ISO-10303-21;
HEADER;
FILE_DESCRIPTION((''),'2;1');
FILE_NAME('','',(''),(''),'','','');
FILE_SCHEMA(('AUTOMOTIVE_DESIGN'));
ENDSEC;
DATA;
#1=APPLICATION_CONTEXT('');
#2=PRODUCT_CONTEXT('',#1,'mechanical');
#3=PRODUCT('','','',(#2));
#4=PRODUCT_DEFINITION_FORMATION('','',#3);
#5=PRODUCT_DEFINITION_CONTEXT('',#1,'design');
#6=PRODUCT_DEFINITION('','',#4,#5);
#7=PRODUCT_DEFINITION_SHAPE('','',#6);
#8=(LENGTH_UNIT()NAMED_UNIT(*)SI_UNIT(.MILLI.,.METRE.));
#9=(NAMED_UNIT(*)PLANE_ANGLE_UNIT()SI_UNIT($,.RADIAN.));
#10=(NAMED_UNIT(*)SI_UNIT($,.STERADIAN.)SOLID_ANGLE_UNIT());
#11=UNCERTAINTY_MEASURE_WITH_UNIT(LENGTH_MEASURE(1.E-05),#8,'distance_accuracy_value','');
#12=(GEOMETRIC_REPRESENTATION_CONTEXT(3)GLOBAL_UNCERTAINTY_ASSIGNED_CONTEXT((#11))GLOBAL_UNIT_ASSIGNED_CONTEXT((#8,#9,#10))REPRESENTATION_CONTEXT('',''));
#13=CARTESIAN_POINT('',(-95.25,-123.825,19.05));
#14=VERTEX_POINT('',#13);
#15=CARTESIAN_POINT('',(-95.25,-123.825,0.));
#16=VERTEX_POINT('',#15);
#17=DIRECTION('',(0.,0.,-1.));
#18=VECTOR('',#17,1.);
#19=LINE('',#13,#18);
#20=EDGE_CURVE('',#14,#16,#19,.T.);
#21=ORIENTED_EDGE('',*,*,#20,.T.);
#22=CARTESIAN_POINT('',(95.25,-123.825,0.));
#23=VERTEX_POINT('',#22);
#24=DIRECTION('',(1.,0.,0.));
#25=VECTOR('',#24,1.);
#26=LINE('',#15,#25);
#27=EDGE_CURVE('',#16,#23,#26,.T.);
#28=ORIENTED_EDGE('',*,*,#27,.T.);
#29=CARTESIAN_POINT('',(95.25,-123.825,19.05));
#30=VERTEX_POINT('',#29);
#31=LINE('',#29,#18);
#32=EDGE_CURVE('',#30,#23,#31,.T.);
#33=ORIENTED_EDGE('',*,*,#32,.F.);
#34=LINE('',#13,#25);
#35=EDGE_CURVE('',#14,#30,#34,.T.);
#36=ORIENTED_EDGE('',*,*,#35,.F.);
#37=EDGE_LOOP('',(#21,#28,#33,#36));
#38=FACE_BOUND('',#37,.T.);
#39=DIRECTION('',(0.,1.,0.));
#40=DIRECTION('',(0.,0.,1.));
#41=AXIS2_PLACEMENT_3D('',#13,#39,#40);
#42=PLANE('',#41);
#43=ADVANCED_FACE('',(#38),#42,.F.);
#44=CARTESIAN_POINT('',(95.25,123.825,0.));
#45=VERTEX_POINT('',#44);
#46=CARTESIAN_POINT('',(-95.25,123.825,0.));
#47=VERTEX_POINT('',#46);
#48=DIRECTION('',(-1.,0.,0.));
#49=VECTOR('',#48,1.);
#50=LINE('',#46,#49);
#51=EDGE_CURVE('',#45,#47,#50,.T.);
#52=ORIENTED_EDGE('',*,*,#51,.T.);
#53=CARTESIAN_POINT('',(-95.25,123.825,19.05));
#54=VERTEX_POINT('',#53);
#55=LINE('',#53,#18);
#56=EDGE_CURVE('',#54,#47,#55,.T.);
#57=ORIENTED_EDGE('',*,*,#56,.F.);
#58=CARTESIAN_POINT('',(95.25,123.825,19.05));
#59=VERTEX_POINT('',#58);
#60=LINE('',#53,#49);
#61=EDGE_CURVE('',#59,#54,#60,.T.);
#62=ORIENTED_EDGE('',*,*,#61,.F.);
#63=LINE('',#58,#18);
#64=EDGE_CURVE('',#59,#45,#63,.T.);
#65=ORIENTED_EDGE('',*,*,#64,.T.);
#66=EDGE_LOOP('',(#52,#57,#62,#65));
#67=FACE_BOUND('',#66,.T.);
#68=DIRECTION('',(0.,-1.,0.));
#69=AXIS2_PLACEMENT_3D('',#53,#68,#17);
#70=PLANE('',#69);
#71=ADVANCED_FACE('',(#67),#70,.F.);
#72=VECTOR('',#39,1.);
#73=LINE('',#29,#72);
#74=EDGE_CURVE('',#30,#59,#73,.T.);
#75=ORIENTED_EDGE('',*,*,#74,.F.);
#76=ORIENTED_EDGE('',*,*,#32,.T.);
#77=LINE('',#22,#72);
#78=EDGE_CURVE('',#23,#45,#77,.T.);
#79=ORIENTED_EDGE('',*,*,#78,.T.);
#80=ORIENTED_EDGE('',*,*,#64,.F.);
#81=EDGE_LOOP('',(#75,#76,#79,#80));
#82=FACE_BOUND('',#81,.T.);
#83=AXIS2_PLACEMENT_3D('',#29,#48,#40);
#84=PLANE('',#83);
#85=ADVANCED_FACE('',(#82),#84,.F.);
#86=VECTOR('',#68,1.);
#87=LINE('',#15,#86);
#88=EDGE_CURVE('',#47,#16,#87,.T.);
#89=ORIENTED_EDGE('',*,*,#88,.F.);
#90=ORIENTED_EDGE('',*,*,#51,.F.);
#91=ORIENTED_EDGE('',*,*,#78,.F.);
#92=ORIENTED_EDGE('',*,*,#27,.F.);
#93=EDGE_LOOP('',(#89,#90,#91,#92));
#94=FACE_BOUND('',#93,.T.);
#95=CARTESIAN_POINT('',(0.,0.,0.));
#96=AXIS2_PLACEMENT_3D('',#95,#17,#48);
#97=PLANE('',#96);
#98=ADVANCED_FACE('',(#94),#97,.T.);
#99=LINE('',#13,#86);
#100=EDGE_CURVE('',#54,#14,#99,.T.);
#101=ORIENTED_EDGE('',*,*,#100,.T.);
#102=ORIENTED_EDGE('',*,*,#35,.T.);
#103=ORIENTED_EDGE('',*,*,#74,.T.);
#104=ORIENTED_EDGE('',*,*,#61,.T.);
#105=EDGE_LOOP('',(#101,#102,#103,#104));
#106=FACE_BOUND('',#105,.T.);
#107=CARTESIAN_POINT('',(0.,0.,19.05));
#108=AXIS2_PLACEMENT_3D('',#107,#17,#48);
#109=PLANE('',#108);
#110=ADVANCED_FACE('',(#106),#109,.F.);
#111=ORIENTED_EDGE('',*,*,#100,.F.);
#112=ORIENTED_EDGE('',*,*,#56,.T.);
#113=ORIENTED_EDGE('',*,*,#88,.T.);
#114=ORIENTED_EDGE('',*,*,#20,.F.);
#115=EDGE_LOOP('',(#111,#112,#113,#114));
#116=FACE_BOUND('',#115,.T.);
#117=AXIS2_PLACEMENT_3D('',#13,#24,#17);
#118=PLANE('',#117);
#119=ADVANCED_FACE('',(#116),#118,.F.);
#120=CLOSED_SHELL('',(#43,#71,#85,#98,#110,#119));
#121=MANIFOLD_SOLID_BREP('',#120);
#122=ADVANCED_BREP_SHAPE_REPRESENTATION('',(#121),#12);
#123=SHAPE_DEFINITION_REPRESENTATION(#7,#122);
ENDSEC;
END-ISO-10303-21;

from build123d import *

# Parameters (mm, degrees)
SKETCH1_W           = 190.5
SKETCH1_H           = 247.65
BOSS_EXTRUDE1_DEPTH = 19.05


with BuildPart() as part:
    # Sketch1 → Boss-Extrude1 (new body)
    with BuildSketch(Plane.XY):
        Rectangle(SKETCH1_W, SKETCH1_H)
    extrude(amount=BOSS_EXTRUDE1_DEPTH)


solid = part.part
